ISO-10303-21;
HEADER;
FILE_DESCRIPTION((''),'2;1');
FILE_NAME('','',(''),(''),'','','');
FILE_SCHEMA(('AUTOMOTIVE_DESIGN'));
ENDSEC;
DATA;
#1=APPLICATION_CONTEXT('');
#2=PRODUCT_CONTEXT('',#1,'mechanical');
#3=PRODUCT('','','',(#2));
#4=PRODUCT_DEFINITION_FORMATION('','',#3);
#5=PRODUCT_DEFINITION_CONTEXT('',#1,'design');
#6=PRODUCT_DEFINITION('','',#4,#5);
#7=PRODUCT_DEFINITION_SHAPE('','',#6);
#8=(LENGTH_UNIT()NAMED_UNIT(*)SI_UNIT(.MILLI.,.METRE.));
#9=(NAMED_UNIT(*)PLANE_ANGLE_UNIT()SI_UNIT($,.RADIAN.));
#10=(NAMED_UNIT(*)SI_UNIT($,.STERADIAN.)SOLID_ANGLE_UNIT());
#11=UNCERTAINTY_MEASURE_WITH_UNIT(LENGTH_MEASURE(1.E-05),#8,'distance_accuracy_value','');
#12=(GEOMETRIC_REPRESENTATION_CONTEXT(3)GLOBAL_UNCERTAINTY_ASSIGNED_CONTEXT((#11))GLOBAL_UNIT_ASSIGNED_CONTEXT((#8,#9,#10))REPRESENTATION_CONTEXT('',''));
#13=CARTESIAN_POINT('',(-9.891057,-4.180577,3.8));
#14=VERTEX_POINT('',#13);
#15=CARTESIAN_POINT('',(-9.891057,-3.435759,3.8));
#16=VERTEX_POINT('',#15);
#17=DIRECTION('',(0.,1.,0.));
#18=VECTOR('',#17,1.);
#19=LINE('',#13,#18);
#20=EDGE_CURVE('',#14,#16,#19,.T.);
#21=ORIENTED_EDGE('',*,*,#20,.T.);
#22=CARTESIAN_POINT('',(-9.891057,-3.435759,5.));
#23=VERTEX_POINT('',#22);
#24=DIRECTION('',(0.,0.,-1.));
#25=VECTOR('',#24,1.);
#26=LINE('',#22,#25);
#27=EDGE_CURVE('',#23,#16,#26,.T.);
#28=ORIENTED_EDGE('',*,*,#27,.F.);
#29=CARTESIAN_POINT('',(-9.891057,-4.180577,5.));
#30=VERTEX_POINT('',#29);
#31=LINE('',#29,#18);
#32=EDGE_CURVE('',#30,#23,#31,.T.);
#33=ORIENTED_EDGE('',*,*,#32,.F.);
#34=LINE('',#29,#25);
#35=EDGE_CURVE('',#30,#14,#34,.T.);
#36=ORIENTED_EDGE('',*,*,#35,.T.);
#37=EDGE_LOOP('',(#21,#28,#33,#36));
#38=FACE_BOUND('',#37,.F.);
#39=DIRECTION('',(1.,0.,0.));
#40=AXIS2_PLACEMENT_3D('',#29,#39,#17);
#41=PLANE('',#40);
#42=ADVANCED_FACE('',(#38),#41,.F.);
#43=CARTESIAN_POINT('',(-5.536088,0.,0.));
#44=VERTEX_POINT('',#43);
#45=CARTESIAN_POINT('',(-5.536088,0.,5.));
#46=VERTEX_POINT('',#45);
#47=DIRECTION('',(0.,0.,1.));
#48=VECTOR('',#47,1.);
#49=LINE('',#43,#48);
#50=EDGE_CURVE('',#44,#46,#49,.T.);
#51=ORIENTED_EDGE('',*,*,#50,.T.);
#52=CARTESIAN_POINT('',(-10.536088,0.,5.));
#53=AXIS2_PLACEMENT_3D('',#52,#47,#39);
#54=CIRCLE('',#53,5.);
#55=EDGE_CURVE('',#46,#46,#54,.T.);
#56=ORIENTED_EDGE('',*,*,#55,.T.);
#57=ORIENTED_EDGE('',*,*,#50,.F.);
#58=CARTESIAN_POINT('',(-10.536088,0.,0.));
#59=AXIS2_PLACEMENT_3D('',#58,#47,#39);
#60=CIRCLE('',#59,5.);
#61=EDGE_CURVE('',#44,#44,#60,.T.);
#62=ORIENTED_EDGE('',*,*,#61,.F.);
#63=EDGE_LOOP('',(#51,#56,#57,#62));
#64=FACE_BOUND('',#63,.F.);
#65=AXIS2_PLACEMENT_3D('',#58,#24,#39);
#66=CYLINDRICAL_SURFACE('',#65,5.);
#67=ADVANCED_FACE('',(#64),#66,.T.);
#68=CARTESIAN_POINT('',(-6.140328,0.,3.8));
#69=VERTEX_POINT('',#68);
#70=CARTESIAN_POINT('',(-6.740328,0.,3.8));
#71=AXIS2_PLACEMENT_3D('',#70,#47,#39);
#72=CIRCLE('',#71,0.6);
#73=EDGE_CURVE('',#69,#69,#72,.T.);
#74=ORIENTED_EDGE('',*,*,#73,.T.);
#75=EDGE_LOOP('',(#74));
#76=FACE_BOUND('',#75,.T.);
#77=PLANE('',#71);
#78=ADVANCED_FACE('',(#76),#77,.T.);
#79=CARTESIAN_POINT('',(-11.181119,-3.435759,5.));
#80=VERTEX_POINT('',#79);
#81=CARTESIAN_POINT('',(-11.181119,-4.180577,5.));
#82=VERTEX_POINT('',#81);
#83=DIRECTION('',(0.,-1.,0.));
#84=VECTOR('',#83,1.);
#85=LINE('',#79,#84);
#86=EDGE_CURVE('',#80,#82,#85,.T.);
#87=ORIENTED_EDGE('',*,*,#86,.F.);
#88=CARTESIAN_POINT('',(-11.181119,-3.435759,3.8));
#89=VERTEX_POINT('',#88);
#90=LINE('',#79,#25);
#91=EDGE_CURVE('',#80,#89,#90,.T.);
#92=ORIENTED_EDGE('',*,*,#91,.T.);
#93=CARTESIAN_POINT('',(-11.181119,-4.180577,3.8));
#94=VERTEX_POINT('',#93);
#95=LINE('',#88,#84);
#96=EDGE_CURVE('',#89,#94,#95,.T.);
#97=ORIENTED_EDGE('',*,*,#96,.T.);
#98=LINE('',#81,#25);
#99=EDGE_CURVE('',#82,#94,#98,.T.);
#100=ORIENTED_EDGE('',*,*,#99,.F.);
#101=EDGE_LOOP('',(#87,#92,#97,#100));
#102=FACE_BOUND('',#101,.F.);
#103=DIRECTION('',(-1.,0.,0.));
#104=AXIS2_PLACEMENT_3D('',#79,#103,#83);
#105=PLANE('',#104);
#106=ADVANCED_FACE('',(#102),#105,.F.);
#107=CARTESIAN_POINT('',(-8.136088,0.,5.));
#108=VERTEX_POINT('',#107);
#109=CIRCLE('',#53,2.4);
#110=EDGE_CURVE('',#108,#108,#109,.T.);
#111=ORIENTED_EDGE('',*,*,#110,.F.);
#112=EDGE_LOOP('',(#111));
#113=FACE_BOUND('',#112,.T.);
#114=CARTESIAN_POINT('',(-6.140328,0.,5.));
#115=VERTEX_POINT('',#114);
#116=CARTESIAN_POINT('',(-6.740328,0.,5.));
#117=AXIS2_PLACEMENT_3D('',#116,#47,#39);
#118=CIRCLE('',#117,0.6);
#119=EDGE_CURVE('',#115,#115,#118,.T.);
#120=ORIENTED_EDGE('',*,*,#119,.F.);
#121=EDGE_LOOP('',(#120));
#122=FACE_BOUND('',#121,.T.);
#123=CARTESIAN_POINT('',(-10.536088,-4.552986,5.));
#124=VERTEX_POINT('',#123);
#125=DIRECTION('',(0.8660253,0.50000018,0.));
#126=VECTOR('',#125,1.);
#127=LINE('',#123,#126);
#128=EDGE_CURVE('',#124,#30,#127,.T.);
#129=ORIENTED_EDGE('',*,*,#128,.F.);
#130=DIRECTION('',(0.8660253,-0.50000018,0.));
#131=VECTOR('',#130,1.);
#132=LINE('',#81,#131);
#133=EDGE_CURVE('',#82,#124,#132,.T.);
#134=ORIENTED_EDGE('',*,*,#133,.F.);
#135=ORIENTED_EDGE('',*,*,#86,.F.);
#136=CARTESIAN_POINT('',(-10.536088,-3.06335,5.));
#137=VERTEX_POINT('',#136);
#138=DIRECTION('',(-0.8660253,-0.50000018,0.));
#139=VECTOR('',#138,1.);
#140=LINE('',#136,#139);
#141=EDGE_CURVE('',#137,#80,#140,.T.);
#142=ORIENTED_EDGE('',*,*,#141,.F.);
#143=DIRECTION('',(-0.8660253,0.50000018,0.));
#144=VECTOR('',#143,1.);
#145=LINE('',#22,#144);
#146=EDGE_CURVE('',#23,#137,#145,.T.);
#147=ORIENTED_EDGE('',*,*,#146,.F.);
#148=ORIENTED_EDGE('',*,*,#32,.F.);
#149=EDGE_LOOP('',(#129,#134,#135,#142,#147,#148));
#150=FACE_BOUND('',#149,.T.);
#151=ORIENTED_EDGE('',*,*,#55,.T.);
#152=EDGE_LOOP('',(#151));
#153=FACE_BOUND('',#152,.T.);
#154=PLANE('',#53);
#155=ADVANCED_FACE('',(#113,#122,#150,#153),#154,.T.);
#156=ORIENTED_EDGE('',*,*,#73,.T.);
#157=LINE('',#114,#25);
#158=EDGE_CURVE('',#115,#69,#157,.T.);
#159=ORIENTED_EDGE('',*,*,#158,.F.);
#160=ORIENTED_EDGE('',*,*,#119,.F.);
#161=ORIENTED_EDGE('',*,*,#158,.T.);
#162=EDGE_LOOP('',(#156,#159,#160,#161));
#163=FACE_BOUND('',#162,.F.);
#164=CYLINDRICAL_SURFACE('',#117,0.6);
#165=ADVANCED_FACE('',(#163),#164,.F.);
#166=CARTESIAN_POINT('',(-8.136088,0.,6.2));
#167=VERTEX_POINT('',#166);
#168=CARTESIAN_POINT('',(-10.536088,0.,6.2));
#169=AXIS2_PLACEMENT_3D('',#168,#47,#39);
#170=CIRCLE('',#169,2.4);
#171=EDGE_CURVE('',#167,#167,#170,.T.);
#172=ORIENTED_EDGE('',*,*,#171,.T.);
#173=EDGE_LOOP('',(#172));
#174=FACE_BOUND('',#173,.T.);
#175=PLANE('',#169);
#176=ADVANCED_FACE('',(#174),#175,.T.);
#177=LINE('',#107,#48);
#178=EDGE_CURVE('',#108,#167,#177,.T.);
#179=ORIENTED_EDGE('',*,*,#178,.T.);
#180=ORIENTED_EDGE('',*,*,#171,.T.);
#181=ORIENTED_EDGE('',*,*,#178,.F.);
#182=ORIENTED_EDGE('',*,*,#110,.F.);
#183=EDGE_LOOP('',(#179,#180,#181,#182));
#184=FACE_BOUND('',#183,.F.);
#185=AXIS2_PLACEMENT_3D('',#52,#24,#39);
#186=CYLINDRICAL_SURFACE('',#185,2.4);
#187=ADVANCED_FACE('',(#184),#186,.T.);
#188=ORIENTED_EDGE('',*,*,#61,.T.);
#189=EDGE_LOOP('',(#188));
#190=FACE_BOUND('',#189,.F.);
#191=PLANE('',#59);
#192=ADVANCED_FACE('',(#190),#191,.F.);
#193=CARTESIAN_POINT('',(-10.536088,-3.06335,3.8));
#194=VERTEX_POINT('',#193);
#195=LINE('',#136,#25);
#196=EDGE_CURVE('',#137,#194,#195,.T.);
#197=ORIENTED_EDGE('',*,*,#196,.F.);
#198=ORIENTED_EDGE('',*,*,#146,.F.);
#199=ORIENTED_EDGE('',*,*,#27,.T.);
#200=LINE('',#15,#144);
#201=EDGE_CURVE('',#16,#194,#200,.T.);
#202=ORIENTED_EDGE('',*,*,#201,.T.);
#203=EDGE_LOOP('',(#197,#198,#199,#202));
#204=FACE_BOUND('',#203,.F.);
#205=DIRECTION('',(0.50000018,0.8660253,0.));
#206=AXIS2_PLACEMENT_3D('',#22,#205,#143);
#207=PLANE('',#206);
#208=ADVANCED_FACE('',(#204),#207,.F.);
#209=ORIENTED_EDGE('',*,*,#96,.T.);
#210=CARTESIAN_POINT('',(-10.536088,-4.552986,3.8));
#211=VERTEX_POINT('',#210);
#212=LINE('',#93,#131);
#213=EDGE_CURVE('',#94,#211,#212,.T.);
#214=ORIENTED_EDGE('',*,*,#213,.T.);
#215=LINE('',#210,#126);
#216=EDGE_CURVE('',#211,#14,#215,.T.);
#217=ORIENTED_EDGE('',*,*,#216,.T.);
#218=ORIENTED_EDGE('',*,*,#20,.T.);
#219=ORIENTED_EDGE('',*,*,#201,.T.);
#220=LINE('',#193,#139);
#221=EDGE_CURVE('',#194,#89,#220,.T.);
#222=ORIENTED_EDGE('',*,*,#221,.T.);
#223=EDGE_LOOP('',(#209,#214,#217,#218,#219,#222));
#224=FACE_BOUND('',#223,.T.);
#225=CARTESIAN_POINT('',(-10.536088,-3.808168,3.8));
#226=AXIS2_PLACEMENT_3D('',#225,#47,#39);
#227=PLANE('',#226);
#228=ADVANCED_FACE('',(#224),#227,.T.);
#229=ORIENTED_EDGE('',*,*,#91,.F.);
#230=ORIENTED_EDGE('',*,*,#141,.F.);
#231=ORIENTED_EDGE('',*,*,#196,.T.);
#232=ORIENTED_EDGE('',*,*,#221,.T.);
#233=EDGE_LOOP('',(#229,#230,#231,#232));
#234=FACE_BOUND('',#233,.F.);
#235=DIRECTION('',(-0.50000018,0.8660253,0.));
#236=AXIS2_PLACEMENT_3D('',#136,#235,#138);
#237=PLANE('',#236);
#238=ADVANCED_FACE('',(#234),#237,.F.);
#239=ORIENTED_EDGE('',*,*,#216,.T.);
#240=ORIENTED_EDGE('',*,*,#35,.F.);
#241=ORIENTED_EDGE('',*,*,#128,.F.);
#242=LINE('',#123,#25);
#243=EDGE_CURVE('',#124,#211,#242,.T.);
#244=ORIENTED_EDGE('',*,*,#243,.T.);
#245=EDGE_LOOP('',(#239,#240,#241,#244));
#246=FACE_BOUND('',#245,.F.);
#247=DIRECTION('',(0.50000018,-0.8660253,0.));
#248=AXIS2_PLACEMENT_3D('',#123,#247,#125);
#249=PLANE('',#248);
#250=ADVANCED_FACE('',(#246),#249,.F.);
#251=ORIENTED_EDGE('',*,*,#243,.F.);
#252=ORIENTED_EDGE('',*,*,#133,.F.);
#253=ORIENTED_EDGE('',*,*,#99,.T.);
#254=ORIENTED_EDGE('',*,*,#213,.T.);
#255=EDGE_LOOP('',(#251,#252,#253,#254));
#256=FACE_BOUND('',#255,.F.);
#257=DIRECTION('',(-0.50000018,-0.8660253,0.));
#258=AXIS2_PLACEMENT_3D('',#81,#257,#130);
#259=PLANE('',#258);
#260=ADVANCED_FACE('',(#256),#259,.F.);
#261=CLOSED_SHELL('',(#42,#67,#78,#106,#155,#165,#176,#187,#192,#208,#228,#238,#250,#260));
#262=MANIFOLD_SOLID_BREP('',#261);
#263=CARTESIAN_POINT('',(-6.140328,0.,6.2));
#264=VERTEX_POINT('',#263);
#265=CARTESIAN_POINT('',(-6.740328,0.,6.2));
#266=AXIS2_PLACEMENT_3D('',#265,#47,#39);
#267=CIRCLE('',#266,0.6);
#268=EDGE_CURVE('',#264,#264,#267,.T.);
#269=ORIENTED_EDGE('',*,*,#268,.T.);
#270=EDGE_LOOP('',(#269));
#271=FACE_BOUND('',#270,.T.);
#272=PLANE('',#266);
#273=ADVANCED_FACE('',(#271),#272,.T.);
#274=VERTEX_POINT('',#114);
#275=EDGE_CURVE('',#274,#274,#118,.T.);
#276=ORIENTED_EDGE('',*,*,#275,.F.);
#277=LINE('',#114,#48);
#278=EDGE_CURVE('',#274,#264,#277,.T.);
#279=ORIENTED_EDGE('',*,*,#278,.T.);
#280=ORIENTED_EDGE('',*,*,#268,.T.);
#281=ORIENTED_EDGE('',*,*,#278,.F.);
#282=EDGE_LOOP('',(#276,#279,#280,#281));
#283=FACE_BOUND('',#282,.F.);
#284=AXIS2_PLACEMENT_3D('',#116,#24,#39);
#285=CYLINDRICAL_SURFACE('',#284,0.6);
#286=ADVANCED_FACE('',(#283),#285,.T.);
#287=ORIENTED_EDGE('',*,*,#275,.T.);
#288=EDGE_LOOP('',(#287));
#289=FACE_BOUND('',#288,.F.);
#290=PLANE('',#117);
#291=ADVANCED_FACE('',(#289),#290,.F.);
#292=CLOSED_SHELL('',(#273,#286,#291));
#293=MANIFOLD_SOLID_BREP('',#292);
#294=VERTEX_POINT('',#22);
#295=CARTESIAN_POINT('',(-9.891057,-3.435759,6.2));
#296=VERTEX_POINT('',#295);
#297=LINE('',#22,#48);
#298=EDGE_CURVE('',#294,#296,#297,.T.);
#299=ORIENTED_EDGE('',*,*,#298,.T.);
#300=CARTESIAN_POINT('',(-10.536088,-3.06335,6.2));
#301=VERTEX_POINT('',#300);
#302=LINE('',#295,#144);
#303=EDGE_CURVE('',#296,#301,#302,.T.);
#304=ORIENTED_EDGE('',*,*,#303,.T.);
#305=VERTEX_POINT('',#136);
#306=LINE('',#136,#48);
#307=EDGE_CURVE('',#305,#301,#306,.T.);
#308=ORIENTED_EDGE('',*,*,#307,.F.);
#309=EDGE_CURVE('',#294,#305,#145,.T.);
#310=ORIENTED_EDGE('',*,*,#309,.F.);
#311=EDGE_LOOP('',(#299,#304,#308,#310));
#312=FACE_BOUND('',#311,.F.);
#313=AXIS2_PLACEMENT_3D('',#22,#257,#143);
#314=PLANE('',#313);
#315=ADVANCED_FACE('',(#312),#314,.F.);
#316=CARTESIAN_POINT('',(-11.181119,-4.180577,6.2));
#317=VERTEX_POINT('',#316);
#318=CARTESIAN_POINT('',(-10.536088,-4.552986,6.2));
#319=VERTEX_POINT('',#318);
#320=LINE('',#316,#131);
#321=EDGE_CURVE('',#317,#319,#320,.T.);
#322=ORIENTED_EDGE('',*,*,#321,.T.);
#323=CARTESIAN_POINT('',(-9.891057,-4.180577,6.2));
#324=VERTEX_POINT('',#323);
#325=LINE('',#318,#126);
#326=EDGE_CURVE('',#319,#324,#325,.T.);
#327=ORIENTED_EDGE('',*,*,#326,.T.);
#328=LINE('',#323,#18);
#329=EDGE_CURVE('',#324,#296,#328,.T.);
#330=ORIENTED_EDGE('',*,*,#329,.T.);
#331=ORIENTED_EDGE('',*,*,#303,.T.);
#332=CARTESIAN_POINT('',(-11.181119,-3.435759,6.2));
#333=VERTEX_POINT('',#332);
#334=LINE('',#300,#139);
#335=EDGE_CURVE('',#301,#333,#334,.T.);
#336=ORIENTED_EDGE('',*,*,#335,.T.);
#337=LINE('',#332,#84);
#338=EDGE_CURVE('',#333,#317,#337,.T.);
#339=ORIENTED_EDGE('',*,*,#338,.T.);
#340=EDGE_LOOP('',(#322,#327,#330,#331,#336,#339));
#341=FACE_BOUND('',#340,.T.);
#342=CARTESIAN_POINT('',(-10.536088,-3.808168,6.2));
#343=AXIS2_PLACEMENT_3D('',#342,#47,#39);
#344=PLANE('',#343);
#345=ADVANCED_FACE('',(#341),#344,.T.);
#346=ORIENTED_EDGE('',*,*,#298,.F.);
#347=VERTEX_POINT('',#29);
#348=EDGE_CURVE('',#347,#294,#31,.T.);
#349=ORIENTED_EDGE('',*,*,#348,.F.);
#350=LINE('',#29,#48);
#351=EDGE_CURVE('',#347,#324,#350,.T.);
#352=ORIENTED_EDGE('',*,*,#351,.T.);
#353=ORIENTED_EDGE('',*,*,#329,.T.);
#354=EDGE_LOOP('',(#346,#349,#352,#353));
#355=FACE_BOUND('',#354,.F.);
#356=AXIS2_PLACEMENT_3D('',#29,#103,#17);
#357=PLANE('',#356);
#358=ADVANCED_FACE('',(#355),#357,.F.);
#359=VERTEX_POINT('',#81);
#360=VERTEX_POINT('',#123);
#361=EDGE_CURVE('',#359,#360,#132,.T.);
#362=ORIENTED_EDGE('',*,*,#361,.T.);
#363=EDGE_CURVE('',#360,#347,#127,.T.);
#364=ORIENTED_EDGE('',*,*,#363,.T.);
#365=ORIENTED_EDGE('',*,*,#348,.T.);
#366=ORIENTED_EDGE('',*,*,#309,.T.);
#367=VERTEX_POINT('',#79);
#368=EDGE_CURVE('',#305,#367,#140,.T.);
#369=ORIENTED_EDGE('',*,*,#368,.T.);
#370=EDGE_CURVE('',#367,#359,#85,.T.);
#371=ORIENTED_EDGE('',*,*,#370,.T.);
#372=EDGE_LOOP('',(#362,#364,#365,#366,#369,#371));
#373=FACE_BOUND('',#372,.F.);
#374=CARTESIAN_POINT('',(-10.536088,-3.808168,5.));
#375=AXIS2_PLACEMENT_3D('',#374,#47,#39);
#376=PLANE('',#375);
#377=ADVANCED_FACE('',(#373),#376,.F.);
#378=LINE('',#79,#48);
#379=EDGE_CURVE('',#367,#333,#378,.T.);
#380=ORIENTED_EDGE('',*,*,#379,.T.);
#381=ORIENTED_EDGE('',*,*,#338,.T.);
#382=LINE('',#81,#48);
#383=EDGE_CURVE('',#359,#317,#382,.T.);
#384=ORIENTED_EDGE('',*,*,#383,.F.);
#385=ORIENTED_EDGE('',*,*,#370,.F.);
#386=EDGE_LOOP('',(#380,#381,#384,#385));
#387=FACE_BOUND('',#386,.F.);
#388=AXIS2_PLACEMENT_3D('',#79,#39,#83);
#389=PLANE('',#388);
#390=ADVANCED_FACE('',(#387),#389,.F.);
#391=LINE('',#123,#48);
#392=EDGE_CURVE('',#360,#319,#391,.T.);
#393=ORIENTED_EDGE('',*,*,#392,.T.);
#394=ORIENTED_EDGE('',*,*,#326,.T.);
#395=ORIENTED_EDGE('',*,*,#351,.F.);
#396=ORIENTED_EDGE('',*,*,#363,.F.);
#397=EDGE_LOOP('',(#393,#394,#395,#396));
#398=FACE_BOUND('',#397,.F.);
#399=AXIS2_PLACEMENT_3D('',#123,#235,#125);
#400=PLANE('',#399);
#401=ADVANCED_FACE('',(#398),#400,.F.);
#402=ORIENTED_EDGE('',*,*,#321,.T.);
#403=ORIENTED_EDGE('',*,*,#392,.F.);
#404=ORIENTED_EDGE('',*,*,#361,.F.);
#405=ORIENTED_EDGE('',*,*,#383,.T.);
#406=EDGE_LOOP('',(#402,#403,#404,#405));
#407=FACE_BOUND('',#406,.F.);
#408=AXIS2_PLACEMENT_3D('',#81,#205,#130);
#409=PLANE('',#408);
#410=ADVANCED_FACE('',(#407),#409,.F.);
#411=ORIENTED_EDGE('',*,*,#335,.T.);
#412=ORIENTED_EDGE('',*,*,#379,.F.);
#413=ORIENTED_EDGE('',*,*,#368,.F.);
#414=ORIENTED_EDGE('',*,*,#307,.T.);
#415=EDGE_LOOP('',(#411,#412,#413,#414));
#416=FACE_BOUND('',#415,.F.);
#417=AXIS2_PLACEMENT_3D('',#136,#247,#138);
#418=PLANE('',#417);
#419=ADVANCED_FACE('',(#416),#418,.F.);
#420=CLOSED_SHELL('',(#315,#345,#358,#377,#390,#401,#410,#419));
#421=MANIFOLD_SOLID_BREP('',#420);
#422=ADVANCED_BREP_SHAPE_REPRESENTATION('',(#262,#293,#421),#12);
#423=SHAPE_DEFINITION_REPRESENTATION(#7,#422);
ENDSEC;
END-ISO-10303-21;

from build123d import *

# Parameters (mm, degrees)
F0_R     = 5
F1_DEPTH = 5
F2_R     = 0.6
F3_DEPTH = 1.2
F2_R_2   = 2.4
F4_DEPTH = 1.2


with BuildPart() as f1:
    # F0 (on Top) → F1 (new body)
    with BuildSketch(Plane.XY):
        with Locations((-10.536088, 0)):
            Circle(F0_R)
    extrude(amount=F1_DEPTH)

    # F2 (on face) → F3 (cut)
    with BuildSketch(Plane.XY.offset(5)):
        with Locations((-6.740328, 0)):
            Circle(F2_R)
        Polygon((-9.891057, -4.180577), (-9.891057, -3.435759), (-10.536088, -3.06335), (-11.181119, -3.435759), (-11.181119, -4.180577), (-10.536088, -4.552986), align=None)
    extrude(amount=-F3_DEPTH, mode=Mode.SUBTRACT)

    # F2 (on face) → F4 (join)
    with BuildSketch(Plane.XY.offset(5)):
        with Locations((-10.536088, 0)):
            Circle(F2_R_2)
        with Locations((-6.740328, 0)):
            Circle(F2_R)
        Polygon((-9.891057, -4.180577), (-9.891057, -3.435759), (-10.536088, -3.06335), (-11.181119, -3.435759), (-11.181119, -4.180577), (-10.536088, -4.552986), align=None)
    extrude(amount=F4_DEPTH)


solid = f1.part
